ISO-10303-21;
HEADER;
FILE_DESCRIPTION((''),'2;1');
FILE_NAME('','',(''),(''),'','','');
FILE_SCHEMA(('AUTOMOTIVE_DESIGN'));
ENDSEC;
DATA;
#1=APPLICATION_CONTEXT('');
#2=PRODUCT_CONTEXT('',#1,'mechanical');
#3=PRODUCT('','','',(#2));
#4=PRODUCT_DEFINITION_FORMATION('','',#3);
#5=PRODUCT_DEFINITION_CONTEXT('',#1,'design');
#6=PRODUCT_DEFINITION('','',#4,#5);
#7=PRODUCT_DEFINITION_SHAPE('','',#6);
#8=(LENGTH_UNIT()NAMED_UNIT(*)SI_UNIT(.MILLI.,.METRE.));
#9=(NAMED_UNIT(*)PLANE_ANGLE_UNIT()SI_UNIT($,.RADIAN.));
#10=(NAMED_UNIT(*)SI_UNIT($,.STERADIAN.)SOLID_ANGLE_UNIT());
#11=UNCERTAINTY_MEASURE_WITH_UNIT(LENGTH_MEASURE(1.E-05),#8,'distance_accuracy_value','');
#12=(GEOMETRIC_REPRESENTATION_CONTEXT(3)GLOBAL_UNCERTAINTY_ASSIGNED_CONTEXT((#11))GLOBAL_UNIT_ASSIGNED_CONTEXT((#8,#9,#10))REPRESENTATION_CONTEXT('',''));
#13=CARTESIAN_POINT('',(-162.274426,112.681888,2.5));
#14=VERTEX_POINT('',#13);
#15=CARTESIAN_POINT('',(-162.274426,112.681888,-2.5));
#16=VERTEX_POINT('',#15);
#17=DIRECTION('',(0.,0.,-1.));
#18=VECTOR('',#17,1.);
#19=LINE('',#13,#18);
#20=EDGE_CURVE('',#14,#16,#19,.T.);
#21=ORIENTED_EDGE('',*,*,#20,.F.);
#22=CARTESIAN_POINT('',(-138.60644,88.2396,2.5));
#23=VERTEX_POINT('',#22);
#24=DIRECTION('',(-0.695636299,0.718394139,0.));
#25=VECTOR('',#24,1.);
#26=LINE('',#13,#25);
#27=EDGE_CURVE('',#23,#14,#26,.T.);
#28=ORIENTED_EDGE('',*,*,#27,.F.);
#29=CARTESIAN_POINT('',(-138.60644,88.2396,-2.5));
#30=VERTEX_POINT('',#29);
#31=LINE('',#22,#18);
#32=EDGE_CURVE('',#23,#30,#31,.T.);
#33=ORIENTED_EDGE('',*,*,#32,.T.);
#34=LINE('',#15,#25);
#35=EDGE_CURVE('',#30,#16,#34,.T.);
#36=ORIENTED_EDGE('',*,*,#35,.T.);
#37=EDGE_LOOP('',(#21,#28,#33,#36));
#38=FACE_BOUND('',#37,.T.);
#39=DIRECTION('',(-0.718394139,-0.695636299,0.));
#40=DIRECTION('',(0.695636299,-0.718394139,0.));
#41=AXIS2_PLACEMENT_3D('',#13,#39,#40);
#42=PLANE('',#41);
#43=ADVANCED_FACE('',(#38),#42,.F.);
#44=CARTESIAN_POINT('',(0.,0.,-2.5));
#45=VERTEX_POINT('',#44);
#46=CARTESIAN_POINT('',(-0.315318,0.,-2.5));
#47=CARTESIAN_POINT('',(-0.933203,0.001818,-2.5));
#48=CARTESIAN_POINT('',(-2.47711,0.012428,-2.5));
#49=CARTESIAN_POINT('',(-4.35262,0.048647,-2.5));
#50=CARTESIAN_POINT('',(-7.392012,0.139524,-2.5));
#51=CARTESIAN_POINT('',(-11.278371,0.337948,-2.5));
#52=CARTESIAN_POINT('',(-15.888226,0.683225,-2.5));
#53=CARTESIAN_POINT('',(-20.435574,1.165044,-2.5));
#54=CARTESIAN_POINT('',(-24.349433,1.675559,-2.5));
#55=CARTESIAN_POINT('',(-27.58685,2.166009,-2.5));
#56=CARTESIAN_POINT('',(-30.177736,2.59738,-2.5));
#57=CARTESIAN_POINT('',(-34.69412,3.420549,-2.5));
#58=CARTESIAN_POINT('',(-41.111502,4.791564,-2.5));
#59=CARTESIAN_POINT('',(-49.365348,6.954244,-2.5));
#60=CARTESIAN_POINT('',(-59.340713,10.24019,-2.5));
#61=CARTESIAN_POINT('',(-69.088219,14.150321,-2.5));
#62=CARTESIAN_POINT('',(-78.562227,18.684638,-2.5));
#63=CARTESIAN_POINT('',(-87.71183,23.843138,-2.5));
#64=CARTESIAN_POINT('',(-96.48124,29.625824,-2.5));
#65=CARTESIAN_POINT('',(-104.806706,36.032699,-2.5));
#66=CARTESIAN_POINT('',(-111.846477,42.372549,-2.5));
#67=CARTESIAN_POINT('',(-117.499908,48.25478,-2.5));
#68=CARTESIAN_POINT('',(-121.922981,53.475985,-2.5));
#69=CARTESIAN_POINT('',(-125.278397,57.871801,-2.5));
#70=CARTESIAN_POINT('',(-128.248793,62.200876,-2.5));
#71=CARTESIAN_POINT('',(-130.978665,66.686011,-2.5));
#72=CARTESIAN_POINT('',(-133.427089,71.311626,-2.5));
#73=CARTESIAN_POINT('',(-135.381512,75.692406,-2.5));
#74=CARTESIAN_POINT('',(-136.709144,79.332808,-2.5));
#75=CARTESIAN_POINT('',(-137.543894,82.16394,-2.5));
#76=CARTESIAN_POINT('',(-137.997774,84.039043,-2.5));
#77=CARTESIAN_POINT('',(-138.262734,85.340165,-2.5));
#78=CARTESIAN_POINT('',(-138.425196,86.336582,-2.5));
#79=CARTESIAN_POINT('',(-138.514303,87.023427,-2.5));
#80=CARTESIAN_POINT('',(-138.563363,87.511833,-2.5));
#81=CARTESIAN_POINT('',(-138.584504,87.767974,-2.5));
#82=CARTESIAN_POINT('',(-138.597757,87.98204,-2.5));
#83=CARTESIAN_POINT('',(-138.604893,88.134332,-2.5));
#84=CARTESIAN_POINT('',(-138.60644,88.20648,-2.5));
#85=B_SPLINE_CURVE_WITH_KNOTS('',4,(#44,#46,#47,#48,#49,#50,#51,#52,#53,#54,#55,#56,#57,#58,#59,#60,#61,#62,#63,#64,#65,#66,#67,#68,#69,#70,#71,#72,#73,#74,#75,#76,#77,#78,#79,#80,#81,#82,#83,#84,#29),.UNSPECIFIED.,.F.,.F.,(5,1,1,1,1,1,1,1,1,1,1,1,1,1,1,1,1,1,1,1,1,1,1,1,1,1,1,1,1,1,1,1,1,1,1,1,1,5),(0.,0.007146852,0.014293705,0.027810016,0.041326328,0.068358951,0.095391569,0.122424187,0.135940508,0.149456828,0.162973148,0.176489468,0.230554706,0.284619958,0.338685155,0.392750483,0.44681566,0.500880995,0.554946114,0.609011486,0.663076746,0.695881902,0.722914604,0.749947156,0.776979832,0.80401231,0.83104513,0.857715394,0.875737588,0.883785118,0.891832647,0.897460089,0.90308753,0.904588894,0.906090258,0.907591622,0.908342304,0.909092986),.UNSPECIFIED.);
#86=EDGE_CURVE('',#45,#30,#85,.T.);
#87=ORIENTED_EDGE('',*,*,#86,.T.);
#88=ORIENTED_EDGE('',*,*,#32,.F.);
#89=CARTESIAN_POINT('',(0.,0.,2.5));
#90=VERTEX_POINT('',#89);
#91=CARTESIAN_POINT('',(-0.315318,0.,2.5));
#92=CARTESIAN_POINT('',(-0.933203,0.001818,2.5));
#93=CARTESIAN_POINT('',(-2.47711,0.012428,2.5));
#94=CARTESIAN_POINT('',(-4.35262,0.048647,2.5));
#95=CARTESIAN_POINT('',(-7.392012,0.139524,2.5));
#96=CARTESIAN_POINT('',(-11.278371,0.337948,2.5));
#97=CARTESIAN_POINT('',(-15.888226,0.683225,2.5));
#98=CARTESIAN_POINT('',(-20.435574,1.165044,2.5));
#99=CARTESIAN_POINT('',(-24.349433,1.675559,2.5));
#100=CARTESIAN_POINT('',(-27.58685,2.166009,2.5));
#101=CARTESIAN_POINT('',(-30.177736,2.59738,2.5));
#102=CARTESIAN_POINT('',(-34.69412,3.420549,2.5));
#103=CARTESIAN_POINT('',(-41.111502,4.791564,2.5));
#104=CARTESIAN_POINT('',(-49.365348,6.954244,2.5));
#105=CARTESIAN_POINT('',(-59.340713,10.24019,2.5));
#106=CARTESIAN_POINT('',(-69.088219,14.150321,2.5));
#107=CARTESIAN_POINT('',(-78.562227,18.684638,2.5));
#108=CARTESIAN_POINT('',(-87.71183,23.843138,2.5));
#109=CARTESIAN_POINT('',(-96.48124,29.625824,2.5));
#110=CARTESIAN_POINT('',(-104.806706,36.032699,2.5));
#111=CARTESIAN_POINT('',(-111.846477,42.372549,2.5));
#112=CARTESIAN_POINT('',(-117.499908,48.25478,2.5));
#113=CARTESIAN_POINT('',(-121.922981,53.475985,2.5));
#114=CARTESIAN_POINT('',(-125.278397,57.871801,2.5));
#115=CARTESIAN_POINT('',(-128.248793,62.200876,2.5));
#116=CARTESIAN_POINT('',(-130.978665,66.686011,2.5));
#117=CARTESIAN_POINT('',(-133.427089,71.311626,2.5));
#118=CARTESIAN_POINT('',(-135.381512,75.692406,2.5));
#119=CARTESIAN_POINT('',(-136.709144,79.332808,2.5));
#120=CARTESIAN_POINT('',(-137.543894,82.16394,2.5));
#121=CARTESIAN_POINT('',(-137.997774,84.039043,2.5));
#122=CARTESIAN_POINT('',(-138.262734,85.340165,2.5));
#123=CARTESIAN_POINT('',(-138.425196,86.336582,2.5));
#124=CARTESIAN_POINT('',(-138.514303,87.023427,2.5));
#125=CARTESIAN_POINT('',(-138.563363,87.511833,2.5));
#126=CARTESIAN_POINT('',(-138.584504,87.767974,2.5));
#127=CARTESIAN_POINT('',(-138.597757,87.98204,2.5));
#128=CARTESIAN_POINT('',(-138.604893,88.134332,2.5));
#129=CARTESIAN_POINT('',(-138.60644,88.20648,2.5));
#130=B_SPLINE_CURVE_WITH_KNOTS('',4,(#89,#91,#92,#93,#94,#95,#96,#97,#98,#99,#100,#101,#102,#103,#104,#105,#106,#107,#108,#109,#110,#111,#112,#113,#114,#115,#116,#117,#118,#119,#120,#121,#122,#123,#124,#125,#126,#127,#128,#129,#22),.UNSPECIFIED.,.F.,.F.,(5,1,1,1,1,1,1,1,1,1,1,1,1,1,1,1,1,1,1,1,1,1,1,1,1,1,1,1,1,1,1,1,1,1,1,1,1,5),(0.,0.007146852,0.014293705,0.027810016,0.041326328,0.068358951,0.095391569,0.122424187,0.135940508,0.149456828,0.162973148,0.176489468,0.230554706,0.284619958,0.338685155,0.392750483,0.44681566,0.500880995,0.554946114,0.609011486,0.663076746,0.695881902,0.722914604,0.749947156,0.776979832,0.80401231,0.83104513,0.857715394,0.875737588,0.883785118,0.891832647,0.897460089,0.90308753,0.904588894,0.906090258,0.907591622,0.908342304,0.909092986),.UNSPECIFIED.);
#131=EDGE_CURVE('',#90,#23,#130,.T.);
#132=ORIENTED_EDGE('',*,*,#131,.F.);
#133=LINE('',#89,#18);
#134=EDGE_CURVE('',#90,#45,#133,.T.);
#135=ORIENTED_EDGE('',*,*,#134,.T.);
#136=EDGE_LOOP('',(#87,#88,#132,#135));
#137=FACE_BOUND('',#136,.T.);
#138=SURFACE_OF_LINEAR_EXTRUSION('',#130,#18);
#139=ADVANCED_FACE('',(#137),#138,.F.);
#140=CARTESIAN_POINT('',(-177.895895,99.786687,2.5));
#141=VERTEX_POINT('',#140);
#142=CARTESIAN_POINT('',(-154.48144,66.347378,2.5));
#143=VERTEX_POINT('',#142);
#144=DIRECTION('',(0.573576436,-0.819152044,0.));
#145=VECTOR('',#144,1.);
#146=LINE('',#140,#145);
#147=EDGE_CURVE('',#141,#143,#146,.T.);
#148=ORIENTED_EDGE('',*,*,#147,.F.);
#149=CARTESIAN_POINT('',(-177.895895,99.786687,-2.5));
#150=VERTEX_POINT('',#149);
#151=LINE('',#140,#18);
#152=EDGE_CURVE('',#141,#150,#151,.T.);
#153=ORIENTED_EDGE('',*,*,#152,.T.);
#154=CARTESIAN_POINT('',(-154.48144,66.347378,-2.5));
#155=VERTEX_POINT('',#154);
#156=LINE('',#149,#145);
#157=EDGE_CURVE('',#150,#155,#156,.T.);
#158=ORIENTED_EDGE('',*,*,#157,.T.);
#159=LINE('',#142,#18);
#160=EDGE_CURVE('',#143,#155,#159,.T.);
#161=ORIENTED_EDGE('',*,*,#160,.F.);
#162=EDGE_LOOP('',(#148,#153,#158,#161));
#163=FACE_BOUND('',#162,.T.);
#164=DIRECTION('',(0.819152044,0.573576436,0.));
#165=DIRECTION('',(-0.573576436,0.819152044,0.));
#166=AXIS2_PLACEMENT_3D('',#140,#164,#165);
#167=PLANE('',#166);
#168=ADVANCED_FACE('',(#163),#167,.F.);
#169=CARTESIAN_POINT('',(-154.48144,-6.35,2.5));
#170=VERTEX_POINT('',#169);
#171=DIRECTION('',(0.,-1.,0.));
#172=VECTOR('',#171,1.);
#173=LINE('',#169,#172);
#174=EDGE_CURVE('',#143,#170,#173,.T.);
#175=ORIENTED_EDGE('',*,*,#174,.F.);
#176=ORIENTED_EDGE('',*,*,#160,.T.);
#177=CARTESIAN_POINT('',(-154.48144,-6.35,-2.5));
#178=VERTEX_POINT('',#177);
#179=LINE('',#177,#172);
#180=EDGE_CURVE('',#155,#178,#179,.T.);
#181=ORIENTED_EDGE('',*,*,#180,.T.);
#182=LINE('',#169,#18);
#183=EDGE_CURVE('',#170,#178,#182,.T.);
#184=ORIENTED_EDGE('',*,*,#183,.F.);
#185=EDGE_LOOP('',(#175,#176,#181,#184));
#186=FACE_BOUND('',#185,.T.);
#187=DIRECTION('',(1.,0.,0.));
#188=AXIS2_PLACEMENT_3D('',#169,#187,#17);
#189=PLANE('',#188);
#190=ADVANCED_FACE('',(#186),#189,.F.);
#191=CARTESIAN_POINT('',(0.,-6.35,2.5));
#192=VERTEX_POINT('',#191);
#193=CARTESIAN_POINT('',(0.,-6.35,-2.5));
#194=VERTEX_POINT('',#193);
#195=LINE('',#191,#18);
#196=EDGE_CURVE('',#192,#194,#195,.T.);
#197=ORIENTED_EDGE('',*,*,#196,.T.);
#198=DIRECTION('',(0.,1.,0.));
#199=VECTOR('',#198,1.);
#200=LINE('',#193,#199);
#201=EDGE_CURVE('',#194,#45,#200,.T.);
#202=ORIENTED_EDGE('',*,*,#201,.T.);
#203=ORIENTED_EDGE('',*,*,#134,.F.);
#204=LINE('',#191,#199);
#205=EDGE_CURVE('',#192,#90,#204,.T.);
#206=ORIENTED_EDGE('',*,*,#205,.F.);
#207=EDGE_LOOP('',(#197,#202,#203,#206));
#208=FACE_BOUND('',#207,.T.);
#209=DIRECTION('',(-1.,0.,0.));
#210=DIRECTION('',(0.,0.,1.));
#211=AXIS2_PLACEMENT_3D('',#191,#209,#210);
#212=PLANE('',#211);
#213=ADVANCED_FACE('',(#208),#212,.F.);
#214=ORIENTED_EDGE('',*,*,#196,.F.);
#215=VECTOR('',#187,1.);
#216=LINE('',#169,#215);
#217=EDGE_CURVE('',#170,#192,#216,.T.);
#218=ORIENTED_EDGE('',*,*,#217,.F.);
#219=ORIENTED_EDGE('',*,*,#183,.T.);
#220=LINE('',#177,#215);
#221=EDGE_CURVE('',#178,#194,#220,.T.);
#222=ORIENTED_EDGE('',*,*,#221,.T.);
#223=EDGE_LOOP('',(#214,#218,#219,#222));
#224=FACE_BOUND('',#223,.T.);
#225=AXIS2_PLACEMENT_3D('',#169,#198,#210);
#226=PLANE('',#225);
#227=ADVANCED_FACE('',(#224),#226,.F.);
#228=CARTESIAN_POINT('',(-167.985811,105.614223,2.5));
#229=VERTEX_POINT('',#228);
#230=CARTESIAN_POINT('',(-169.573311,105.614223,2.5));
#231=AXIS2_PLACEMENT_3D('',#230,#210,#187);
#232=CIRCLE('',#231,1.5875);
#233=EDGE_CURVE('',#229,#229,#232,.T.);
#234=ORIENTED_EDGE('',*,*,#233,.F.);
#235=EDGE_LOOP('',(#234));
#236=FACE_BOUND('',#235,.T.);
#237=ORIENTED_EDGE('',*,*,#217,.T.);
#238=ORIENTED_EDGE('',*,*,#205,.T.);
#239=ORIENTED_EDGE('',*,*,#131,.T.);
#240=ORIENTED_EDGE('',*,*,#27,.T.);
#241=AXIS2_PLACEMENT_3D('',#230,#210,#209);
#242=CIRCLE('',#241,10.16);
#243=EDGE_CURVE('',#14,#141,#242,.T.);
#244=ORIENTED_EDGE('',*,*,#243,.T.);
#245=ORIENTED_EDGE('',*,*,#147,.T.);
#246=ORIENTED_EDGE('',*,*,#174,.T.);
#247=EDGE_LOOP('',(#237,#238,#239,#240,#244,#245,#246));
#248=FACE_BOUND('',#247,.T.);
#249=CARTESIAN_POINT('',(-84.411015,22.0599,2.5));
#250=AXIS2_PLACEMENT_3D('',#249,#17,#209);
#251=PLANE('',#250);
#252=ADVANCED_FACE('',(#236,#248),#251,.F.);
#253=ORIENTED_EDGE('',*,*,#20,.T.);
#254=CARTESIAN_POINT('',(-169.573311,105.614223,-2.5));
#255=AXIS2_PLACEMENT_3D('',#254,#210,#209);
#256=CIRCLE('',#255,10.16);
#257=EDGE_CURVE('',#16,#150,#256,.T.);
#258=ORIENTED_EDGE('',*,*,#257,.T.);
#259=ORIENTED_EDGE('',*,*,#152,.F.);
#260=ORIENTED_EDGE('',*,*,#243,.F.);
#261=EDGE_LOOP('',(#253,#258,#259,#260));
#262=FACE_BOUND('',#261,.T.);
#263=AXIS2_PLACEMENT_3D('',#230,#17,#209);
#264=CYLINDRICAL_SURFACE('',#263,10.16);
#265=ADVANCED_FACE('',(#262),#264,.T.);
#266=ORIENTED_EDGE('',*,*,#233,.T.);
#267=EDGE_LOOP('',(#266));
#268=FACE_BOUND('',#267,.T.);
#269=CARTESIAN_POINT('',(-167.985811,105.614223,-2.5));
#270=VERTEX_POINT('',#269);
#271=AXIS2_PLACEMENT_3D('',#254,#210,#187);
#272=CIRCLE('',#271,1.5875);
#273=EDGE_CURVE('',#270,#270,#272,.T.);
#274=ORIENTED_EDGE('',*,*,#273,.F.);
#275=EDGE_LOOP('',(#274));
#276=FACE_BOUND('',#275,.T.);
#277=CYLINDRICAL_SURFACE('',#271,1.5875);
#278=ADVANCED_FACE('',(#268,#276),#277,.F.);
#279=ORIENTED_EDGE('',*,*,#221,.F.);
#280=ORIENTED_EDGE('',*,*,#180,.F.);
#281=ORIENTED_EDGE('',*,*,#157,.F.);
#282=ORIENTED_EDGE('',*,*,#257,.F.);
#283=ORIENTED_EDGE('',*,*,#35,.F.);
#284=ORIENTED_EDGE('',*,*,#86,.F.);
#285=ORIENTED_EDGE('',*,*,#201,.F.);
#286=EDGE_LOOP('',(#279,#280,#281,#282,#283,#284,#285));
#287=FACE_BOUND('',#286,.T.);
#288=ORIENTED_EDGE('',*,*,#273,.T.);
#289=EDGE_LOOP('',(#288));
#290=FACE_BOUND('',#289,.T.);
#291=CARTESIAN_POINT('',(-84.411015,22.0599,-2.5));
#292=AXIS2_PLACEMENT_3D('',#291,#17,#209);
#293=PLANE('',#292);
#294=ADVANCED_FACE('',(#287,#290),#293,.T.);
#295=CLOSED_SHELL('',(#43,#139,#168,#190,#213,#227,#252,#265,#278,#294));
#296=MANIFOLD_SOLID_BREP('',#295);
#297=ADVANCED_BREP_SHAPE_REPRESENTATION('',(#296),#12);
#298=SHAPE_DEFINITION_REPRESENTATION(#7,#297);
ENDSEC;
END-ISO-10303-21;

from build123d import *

# Parameters (mm, degrees)
BOSS_EXTRUDE1_DEPTH = 2.5
SKETCH3_R           = 1.5875
CUT_EXTRUDE1_DEPTH  = 214.852130583


with BuildPart() as part:
    # Sketch1 → Boss-Extrude1 (new, symmetric)
    with BuildSketch(Plane.XY):
        with BuildLine():
            Line((-154.481439558, -6.35), (-154.481439558, 66.347378373))
            Line((-154.481439558, 66.347378373), (-177.895895312, 99.786686688))
            ThreePointArc((-177.895895312, 99.786686688), (-176.041196233, 113.449531488), (-162.274426085, 112.681888078))
            Line((-162.274426085, 112.681888078), (-138.606439558, 88.2396))
            add(Edge.make_bspline(
                [(-138.606439558, 88.2396), (-138.606439558, 88.206480064), (-138.604893224, 88.134332137), (-138.597757085, 87.982040168), (-138.584504009, 87.767973581), (-138.563362589, 87.511833211), (-138.514302662, 87.023426652), (-138.425196169, 86.336581908), (-138.262733573, 85.340165391), (-137.997774346, 84.039042844), (-137.543893872, 82.163940465), (-136.709143666, 79.332808223), (-135.381511976, 75.692405853), (-133.427089014, 71.311625777), (-130.978665346, 66.686011286), (-128.248792738, 62.200876138), (-125.278396767, 57.871801388), (-121.922980854, 53.47598485), (-117.499907722, 48.25477976), (-111.846477366, 42.372548658), (-104.806706424, 36.032698765), (-96.481239759, 29.625824358), (-87.711829988, 23.843138375), (-78.562226684, 18.684637722), (-69.088219119, 14.150320925), (-59.340712588, 10.240190432), (-49.365347684, 6.954244107), (-41.111501611, 4.791563651), (-34.694119901, 3.420549472), (-30.177735786, 2.597379945), (-27.586849558, 2.166008761), (-24.349433278, 1.675559443), (-20.435573897, 1.165043535), (-15.888225625, 0.68322541), (-11.278370624, 0.337947753), (-7.392012303, 0.139524343), (-4.35262006, 0.048647043), (-2.477110072, 0.012428268), (-0.93320285, 0.001817838), (-0.315317676, 0), (0, 0)],
                knots=[0, 0, 0, 0, 0, 0.000750682, 0.001501364, 0.003002728, 0.004504092, 0.006005456, 0.011632897, 0.017260339, 0.025307868, 0.033355398, 0.051377592, 0.078047856, 0.105080676, 0.132113154, 0.15914583, 0.186178382, 0.213211084, 0.24601624, 0.3000815, 0.354146872, 0.408211991, 0.462277325, 0.516342503, 0.570407831, 0.624473028, 0.67853828, 0.732603517, 0.746119838, 0.759636158, 0.773152478, 0.786668798, 0.813701417, 0.840734035, 0.867766658, 0.88128297, 0.894799281, 0.901946134, 0.909092986, 0.909092986, 0.909092986, 0.909092986, 0.909092986], degree=4))
            Line((0, 0), (0, -6.35))
            Line((0, -6.35), (-154.481439558, -6.35))
        make_face()
    extrude(amount=BOSS_EXTRUDE1_DEPTH, both=True)

    # Sketch3 → Cut-Extrude1 (cut, through all)
    with BuildSketch(Plane.XY.offset(2.5)):
        with Locations((-169.573310542, 105.614223281)):
            Circle(SKETCH3_R)
    extrude(amount=-CUT_EXTRUDE1_DEPTH, mode=Mode.SUBTRACT)


solid = part.part
